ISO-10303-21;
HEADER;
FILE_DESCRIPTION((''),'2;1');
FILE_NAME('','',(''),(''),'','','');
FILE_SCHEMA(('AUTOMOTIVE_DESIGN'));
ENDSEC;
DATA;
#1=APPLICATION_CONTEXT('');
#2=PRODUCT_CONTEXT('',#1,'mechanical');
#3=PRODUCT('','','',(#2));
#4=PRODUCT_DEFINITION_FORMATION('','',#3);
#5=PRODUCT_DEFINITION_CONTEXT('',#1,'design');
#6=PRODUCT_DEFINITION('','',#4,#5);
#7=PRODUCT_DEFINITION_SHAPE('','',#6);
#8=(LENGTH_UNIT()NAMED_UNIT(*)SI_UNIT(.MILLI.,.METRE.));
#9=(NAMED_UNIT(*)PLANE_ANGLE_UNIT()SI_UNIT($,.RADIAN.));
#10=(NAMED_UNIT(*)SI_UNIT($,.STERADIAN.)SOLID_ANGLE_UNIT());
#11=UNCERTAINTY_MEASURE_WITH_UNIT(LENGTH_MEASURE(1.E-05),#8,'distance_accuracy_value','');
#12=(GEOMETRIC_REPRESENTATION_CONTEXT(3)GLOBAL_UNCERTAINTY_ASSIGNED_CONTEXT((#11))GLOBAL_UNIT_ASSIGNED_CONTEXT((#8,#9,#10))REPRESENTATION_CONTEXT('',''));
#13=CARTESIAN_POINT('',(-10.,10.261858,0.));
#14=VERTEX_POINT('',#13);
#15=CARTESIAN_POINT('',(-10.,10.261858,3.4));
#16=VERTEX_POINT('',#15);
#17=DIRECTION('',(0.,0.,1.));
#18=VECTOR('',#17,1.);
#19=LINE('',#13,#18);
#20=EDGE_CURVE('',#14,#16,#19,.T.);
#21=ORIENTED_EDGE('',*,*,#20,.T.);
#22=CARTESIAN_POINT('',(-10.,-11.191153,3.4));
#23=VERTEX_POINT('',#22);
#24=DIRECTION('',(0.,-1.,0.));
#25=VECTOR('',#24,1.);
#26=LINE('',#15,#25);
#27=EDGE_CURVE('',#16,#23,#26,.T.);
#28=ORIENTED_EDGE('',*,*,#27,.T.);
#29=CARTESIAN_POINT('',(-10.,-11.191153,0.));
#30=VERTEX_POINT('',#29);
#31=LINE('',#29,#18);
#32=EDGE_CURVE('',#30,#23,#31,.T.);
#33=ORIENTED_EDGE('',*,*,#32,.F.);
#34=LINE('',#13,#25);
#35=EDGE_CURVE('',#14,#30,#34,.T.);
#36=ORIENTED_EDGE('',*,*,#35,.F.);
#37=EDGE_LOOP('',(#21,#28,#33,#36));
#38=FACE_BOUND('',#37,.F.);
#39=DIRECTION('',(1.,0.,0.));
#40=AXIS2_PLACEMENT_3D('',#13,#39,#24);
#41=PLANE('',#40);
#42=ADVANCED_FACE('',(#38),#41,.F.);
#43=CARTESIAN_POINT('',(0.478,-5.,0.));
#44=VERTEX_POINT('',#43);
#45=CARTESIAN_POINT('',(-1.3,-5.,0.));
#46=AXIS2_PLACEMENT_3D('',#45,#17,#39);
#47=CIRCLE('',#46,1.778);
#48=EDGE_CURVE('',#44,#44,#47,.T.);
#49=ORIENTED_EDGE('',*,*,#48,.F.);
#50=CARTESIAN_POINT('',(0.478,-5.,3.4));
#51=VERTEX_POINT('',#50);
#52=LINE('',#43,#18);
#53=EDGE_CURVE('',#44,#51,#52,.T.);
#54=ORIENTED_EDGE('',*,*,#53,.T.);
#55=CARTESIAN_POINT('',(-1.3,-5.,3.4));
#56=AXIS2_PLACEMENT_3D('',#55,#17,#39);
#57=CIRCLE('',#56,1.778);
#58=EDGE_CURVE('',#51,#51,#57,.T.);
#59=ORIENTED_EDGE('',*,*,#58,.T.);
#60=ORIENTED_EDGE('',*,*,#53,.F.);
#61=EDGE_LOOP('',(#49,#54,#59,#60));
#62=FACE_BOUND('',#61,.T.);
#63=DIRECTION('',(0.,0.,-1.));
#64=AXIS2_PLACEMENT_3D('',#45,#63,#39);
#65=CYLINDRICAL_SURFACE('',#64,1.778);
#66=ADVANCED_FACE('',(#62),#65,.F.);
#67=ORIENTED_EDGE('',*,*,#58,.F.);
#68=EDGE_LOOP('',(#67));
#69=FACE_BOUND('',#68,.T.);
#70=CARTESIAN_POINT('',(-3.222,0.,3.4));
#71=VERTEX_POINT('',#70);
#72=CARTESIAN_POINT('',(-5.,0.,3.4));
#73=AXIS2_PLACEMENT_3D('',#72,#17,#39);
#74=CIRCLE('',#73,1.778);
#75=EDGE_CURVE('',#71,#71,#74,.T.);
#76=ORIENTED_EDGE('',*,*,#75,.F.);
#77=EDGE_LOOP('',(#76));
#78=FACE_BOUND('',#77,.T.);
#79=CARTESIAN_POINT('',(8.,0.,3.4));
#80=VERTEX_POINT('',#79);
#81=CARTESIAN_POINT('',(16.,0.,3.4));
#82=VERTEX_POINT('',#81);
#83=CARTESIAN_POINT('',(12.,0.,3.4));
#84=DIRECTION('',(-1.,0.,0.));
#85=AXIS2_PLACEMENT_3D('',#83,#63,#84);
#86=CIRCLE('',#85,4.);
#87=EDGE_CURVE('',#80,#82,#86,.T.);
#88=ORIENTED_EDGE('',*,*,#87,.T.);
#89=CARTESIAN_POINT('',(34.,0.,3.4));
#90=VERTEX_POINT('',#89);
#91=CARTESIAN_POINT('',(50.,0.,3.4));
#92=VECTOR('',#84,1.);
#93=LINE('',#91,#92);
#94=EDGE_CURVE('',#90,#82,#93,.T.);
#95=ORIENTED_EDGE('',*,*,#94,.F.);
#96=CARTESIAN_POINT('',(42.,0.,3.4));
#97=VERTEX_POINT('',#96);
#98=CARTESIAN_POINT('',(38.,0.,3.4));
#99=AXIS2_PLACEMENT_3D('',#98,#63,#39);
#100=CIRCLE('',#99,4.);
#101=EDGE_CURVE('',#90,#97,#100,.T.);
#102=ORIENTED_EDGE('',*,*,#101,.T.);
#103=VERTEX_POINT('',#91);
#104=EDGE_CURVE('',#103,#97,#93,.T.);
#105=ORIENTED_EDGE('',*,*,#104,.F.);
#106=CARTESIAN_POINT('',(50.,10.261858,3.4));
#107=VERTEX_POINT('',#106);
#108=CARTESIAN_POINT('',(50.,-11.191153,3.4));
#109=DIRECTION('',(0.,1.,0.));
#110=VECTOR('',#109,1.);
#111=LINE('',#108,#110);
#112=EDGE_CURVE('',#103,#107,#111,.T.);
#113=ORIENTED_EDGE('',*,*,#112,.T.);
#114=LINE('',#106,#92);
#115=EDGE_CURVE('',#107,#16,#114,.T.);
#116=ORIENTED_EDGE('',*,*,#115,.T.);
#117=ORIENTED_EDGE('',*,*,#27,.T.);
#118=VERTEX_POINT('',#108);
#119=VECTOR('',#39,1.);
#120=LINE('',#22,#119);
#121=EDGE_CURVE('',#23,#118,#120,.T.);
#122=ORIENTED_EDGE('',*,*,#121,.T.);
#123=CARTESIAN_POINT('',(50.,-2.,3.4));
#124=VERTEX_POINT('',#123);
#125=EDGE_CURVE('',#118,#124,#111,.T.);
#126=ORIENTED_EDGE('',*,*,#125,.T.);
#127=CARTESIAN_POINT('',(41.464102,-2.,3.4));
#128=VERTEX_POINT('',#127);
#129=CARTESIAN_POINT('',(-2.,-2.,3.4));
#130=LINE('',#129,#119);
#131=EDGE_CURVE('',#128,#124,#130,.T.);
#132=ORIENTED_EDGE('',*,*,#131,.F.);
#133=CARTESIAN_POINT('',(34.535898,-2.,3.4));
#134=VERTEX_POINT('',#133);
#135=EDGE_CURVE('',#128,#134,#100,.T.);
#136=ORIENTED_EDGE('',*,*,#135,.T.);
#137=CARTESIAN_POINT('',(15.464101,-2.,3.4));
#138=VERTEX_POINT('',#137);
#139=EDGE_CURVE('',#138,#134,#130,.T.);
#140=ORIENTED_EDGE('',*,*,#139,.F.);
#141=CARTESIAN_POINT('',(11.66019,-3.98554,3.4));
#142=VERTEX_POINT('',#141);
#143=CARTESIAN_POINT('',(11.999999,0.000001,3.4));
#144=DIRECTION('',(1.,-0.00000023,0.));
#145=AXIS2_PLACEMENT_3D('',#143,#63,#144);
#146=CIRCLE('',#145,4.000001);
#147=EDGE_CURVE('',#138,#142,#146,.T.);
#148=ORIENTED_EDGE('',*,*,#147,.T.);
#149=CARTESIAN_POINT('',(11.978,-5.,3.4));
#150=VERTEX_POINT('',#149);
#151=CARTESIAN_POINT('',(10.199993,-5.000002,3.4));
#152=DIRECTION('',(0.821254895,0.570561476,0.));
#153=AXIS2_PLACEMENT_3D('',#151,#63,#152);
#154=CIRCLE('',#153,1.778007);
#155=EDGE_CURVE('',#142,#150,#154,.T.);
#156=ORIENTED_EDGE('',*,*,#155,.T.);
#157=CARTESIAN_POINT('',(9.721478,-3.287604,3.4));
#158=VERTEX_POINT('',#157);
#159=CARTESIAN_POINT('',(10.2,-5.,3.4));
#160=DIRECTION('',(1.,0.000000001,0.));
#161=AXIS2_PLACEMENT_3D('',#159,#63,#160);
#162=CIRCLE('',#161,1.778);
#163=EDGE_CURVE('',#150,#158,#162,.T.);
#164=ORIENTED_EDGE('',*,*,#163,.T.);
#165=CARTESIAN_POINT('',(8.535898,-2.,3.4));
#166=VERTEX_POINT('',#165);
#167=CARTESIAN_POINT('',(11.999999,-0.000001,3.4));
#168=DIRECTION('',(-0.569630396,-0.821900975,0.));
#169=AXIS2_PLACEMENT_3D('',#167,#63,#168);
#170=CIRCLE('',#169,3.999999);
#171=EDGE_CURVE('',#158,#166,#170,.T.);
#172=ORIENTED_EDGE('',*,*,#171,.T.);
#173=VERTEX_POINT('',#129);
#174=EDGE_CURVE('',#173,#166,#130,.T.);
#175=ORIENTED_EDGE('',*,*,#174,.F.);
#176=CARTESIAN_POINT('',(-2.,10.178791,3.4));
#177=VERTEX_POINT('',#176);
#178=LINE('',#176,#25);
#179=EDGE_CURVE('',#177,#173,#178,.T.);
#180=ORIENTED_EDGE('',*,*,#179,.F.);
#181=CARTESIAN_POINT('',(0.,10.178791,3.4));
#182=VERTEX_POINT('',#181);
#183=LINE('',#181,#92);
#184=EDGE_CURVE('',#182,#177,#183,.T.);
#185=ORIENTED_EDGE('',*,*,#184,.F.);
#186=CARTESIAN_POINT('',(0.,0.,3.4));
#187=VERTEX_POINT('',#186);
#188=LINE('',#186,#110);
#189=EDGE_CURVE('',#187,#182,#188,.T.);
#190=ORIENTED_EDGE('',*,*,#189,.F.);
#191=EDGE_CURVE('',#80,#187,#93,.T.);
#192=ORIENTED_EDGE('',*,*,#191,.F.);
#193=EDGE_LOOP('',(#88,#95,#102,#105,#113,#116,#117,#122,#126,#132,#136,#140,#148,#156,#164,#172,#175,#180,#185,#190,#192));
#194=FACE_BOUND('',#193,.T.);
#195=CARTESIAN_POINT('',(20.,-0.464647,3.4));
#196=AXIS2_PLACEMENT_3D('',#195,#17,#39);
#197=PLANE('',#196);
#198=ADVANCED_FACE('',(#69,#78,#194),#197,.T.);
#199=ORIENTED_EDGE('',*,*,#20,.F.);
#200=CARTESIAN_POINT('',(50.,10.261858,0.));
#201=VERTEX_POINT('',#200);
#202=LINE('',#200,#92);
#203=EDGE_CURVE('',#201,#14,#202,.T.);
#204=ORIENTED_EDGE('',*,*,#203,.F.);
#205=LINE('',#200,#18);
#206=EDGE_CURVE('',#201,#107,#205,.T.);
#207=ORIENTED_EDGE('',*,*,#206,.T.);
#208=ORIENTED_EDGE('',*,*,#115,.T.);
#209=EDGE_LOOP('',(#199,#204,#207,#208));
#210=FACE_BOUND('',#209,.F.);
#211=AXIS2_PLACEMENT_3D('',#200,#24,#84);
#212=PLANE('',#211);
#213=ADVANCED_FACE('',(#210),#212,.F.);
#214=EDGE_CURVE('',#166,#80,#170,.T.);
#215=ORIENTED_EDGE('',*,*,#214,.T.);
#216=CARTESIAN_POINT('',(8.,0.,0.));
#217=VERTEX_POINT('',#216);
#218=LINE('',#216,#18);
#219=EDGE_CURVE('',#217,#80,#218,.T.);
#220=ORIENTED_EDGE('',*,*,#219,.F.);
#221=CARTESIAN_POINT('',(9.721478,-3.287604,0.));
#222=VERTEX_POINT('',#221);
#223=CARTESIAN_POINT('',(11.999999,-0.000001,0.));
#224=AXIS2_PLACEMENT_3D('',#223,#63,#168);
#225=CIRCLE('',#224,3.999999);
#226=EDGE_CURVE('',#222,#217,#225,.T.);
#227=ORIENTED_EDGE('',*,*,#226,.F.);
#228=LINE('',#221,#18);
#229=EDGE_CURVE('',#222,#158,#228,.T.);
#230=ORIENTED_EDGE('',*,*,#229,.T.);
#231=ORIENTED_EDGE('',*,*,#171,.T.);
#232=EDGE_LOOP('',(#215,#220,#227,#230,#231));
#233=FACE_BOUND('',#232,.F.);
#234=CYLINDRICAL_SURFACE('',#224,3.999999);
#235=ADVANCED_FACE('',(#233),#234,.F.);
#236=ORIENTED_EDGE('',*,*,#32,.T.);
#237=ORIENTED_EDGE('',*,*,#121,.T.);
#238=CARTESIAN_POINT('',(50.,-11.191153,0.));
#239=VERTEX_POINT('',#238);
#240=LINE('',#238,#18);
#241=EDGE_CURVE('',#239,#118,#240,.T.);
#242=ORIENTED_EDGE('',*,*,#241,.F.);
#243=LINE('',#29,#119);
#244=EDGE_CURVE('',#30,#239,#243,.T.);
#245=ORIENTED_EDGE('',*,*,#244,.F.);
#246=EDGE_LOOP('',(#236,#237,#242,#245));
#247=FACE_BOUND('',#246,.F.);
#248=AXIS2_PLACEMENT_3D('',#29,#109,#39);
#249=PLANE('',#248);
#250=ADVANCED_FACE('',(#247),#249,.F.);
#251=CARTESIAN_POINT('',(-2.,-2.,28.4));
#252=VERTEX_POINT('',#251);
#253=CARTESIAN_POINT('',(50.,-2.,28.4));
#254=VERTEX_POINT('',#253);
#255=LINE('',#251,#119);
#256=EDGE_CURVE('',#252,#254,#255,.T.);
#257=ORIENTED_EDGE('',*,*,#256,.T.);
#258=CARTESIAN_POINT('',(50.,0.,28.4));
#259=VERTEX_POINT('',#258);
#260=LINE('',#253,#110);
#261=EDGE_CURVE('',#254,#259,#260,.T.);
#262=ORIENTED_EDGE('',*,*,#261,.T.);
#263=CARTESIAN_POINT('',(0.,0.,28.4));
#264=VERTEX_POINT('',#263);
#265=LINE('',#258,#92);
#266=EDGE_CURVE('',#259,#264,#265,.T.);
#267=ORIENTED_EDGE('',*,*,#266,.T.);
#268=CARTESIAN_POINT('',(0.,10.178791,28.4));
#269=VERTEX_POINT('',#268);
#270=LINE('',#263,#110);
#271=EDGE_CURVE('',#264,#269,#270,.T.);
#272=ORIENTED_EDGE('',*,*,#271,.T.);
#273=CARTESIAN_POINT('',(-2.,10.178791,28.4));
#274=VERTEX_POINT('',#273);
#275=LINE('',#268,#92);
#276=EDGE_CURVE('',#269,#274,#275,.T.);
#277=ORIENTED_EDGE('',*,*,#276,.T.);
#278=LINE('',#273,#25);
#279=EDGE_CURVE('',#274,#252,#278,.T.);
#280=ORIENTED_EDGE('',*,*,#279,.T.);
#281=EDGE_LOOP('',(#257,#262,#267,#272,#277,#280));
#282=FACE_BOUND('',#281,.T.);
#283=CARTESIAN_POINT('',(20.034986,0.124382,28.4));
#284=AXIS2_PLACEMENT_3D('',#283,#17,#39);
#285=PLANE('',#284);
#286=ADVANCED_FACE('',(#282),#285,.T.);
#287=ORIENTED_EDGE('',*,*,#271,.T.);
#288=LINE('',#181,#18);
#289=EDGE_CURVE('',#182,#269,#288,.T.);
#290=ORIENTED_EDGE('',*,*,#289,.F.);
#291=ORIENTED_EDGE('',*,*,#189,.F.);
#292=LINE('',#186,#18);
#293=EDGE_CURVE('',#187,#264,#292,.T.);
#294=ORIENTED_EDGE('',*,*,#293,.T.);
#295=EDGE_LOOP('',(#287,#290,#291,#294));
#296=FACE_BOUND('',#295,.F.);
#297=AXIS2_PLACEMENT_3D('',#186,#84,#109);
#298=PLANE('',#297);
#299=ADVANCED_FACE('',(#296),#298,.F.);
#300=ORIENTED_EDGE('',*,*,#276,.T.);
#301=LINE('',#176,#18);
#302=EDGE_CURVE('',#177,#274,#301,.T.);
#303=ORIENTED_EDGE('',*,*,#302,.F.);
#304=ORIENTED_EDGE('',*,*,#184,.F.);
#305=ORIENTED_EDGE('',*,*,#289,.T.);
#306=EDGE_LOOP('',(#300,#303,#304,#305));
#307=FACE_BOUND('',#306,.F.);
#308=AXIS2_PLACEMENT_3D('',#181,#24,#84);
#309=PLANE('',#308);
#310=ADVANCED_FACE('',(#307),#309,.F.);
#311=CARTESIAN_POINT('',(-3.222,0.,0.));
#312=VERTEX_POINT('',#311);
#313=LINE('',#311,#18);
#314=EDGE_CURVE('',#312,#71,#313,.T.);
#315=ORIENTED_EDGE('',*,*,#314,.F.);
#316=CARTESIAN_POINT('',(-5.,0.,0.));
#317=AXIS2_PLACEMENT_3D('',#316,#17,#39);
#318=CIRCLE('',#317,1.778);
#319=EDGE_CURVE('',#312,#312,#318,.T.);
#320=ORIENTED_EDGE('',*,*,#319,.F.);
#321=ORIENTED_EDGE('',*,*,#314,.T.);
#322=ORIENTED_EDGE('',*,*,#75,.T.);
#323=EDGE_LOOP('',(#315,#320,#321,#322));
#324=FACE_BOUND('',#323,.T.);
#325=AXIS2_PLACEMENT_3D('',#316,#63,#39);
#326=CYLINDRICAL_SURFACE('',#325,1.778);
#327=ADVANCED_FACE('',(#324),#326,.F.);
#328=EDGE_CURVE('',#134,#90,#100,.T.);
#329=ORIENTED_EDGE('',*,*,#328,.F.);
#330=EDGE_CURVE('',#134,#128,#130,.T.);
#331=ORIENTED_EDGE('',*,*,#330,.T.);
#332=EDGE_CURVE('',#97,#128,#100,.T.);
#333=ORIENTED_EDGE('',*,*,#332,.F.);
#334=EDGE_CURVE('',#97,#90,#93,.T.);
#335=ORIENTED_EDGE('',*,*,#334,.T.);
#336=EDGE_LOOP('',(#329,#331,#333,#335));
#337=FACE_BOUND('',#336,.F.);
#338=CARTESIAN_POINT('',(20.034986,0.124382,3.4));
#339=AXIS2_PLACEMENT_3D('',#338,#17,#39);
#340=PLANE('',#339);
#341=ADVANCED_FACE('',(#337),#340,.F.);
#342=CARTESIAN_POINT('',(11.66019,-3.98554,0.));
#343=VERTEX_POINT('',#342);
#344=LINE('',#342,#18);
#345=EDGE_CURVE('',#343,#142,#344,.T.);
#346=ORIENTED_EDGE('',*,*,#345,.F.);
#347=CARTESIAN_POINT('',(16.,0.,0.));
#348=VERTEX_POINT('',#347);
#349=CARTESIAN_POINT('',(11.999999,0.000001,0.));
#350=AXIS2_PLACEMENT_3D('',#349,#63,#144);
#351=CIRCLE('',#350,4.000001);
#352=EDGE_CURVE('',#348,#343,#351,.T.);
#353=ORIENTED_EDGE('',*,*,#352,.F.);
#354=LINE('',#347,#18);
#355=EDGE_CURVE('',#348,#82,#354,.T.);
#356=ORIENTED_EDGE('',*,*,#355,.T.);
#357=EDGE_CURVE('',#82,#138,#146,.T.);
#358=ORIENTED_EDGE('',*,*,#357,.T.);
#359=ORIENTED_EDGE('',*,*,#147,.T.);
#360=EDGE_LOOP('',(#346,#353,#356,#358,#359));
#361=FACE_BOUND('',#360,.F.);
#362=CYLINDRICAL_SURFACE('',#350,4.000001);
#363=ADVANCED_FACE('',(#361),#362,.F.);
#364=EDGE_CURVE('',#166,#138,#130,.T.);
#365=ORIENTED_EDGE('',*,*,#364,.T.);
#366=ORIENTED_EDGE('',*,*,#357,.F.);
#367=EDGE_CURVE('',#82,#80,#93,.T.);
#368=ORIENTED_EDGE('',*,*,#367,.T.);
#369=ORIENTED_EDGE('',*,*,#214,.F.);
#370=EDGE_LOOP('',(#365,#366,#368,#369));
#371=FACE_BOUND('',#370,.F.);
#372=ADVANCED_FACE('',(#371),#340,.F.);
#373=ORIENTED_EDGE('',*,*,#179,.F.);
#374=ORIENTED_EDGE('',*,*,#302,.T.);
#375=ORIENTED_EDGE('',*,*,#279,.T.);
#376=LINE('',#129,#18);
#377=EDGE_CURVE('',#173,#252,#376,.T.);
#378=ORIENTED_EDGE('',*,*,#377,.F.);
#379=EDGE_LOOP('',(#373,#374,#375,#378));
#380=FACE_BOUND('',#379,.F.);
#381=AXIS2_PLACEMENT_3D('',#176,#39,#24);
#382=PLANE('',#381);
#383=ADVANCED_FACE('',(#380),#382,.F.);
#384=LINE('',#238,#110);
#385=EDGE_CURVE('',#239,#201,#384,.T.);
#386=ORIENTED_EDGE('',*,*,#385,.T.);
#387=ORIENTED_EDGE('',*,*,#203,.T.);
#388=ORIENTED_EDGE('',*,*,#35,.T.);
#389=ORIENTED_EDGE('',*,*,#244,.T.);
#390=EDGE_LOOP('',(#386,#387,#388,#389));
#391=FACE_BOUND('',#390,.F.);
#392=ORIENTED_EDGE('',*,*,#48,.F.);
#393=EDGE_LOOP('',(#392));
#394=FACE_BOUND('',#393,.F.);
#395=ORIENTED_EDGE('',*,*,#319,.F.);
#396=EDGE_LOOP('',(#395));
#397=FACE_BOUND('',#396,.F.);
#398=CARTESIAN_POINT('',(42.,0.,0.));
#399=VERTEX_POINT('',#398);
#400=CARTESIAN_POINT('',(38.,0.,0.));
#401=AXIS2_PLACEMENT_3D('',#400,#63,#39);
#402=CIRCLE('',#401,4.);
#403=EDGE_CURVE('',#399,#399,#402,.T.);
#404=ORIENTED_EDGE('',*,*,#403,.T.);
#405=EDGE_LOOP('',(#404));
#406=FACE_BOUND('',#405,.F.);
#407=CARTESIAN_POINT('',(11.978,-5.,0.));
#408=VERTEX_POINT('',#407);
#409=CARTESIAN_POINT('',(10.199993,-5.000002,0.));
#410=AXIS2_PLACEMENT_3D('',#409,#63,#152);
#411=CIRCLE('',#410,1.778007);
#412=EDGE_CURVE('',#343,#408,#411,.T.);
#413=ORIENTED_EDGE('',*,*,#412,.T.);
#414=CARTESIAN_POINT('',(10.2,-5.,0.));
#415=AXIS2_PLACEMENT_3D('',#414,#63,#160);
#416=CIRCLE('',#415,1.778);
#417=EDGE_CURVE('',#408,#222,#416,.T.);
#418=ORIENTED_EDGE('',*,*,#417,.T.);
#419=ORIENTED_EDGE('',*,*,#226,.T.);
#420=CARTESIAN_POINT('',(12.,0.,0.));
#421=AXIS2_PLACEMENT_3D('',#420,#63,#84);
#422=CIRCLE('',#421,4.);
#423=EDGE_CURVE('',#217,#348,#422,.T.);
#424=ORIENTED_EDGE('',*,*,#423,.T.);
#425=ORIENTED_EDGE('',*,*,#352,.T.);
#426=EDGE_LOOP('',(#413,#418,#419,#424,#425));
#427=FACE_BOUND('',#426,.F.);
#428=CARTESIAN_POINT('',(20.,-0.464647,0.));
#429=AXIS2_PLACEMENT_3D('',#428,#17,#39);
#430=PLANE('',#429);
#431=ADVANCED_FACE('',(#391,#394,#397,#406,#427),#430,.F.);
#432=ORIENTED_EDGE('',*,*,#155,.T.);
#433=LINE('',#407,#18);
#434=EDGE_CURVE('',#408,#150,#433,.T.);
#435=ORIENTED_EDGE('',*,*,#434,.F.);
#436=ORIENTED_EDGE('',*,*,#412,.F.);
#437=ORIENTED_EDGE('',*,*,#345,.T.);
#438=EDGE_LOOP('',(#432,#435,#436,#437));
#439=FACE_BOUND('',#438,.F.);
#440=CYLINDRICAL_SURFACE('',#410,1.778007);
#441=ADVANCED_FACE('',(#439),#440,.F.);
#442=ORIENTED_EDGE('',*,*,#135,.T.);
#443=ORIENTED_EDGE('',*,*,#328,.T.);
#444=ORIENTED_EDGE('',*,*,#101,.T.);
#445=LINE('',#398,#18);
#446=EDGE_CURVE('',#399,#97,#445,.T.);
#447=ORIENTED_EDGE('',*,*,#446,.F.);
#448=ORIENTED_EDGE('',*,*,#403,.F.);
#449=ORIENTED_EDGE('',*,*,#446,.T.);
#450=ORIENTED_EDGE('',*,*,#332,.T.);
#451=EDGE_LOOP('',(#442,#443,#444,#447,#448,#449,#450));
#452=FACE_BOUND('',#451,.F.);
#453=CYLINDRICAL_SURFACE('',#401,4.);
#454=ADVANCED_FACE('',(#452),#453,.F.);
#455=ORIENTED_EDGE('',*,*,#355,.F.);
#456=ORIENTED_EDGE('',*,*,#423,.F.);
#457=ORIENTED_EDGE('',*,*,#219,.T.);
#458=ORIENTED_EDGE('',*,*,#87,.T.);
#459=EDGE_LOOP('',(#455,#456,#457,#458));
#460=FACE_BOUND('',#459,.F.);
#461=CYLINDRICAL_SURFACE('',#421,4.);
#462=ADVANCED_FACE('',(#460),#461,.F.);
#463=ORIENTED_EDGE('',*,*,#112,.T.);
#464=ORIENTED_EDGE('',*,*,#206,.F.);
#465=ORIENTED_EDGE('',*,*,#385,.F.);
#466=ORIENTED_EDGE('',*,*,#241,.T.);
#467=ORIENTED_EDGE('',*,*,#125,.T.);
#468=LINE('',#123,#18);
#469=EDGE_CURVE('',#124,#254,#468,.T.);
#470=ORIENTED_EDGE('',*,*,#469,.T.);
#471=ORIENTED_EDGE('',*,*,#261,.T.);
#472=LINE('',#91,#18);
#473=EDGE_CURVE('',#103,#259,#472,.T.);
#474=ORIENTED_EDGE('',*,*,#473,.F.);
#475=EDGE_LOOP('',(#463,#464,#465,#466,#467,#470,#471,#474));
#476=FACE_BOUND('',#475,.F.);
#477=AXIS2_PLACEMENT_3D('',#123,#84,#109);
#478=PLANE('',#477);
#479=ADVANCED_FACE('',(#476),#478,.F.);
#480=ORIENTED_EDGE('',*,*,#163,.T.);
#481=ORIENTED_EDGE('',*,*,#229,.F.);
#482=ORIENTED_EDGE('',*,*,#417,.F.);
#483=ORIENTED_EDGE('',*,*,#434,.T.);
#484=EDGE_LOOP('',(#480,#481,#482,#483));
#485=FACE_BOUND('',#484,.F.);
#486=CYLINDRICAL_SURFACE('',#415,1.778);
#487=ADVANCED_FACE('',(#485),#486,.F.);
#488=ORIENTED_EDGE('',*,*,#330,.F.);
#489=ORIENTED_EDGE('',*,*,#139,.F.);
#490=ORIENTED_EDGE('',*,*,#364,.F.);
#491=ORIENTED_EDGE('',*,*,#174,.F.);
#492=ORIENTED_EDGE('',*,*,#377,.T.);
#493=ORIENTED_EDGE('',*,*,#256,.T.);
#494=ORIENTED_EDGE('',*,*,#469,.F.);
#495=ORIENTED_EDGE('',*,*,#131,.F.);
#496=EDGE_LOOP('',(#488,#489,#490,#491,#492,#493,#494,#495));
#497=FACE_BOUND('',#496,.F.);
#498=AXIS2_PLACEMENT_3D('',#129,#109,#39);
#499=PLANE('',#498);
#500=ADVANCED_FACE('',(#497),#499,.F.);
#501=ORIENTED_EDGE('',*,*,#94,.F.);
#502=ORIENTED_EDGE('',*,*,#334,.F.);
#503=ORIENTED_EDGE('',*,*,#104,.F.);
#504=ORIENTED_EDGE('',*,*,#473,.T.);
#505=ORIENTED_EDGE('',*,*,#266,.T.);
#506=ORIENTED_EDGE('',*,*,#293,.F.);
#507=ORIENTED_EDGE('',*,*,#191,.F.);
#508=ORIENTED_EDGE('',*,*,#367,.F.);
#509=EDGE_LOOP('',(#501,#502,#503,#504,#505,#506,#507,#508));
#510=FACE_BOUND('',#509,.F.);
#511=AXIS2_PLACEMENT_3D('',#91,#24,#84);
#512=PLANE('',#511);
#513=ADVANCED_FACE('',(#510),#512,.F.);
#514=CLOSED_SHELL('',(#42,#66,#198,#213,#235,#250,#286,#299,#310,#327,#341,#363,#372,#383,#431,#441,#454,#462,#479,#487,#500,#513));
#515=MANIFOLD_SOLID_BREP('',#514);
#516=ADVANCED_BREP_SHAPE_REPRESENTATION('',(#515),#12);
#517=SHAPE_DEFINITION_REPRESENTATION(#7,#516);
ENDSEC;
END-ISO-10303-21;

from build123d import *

# Parameters (mm, degrees)
F0_R     = 1.778
F1_DEPTH = 3.4
F4_DEPTH = 25


with BuildPart() as f1:
    # F0 (on Top) → F1 (new body)
    with BuildSketch(Plane.XY):
        Polygon((50, 10.261858), (0, 10.261858), (-10, 10.261858), (-10, -11.191153), (50, -11.191153), (50, 0), align=None)
        with Locations((-1.3, -5)):
            Circle(F0_R, mode=Mode.SUBTRACT)
        with BuildLine():
            ThreePointArc((8, 0), (12, 4), (16, 0))
            ThreePointArc((16, 0), (14.70562, -2.946119), (11.66019, -3.98554))
            ThreePointArc((11.66019, -3.98554), (11.896688, -4.468462), (11.978, -5))
            ThreePointArc((11.978, -5), (9.125181, -6.41635), (9.721478, -3.287604))
            ThreePointArc((9.721478, -3.287604), (8.456408, -1.855521), (8, 0))
        make_face(mode=Mode.SUBTRACT)
        with Locations((-5, 0)):
            Circle(F0_R, mode=Mode.SUBTRACT)
        with BuildLine():
            ThreePointArc((34, 0), (38, 4), (42, 0))
            ThreePointArc((42, 0), (38, -4), (34, 0))
        make_face(mode=Mode.SUBTRACT)
    extrude(amount=F1_DEPTH)

    # F3 (on face) → F4 (join)
    with BuildSketch(Plane.XY.offset(3.4)):
        Polygon((50, 0), (0, 0), (0, 10.178791), (-2, 10.178791), (-2, -2), (50, -2), align=None)
    extrude(amount=F4_DEPTH)


solid = f1.part
